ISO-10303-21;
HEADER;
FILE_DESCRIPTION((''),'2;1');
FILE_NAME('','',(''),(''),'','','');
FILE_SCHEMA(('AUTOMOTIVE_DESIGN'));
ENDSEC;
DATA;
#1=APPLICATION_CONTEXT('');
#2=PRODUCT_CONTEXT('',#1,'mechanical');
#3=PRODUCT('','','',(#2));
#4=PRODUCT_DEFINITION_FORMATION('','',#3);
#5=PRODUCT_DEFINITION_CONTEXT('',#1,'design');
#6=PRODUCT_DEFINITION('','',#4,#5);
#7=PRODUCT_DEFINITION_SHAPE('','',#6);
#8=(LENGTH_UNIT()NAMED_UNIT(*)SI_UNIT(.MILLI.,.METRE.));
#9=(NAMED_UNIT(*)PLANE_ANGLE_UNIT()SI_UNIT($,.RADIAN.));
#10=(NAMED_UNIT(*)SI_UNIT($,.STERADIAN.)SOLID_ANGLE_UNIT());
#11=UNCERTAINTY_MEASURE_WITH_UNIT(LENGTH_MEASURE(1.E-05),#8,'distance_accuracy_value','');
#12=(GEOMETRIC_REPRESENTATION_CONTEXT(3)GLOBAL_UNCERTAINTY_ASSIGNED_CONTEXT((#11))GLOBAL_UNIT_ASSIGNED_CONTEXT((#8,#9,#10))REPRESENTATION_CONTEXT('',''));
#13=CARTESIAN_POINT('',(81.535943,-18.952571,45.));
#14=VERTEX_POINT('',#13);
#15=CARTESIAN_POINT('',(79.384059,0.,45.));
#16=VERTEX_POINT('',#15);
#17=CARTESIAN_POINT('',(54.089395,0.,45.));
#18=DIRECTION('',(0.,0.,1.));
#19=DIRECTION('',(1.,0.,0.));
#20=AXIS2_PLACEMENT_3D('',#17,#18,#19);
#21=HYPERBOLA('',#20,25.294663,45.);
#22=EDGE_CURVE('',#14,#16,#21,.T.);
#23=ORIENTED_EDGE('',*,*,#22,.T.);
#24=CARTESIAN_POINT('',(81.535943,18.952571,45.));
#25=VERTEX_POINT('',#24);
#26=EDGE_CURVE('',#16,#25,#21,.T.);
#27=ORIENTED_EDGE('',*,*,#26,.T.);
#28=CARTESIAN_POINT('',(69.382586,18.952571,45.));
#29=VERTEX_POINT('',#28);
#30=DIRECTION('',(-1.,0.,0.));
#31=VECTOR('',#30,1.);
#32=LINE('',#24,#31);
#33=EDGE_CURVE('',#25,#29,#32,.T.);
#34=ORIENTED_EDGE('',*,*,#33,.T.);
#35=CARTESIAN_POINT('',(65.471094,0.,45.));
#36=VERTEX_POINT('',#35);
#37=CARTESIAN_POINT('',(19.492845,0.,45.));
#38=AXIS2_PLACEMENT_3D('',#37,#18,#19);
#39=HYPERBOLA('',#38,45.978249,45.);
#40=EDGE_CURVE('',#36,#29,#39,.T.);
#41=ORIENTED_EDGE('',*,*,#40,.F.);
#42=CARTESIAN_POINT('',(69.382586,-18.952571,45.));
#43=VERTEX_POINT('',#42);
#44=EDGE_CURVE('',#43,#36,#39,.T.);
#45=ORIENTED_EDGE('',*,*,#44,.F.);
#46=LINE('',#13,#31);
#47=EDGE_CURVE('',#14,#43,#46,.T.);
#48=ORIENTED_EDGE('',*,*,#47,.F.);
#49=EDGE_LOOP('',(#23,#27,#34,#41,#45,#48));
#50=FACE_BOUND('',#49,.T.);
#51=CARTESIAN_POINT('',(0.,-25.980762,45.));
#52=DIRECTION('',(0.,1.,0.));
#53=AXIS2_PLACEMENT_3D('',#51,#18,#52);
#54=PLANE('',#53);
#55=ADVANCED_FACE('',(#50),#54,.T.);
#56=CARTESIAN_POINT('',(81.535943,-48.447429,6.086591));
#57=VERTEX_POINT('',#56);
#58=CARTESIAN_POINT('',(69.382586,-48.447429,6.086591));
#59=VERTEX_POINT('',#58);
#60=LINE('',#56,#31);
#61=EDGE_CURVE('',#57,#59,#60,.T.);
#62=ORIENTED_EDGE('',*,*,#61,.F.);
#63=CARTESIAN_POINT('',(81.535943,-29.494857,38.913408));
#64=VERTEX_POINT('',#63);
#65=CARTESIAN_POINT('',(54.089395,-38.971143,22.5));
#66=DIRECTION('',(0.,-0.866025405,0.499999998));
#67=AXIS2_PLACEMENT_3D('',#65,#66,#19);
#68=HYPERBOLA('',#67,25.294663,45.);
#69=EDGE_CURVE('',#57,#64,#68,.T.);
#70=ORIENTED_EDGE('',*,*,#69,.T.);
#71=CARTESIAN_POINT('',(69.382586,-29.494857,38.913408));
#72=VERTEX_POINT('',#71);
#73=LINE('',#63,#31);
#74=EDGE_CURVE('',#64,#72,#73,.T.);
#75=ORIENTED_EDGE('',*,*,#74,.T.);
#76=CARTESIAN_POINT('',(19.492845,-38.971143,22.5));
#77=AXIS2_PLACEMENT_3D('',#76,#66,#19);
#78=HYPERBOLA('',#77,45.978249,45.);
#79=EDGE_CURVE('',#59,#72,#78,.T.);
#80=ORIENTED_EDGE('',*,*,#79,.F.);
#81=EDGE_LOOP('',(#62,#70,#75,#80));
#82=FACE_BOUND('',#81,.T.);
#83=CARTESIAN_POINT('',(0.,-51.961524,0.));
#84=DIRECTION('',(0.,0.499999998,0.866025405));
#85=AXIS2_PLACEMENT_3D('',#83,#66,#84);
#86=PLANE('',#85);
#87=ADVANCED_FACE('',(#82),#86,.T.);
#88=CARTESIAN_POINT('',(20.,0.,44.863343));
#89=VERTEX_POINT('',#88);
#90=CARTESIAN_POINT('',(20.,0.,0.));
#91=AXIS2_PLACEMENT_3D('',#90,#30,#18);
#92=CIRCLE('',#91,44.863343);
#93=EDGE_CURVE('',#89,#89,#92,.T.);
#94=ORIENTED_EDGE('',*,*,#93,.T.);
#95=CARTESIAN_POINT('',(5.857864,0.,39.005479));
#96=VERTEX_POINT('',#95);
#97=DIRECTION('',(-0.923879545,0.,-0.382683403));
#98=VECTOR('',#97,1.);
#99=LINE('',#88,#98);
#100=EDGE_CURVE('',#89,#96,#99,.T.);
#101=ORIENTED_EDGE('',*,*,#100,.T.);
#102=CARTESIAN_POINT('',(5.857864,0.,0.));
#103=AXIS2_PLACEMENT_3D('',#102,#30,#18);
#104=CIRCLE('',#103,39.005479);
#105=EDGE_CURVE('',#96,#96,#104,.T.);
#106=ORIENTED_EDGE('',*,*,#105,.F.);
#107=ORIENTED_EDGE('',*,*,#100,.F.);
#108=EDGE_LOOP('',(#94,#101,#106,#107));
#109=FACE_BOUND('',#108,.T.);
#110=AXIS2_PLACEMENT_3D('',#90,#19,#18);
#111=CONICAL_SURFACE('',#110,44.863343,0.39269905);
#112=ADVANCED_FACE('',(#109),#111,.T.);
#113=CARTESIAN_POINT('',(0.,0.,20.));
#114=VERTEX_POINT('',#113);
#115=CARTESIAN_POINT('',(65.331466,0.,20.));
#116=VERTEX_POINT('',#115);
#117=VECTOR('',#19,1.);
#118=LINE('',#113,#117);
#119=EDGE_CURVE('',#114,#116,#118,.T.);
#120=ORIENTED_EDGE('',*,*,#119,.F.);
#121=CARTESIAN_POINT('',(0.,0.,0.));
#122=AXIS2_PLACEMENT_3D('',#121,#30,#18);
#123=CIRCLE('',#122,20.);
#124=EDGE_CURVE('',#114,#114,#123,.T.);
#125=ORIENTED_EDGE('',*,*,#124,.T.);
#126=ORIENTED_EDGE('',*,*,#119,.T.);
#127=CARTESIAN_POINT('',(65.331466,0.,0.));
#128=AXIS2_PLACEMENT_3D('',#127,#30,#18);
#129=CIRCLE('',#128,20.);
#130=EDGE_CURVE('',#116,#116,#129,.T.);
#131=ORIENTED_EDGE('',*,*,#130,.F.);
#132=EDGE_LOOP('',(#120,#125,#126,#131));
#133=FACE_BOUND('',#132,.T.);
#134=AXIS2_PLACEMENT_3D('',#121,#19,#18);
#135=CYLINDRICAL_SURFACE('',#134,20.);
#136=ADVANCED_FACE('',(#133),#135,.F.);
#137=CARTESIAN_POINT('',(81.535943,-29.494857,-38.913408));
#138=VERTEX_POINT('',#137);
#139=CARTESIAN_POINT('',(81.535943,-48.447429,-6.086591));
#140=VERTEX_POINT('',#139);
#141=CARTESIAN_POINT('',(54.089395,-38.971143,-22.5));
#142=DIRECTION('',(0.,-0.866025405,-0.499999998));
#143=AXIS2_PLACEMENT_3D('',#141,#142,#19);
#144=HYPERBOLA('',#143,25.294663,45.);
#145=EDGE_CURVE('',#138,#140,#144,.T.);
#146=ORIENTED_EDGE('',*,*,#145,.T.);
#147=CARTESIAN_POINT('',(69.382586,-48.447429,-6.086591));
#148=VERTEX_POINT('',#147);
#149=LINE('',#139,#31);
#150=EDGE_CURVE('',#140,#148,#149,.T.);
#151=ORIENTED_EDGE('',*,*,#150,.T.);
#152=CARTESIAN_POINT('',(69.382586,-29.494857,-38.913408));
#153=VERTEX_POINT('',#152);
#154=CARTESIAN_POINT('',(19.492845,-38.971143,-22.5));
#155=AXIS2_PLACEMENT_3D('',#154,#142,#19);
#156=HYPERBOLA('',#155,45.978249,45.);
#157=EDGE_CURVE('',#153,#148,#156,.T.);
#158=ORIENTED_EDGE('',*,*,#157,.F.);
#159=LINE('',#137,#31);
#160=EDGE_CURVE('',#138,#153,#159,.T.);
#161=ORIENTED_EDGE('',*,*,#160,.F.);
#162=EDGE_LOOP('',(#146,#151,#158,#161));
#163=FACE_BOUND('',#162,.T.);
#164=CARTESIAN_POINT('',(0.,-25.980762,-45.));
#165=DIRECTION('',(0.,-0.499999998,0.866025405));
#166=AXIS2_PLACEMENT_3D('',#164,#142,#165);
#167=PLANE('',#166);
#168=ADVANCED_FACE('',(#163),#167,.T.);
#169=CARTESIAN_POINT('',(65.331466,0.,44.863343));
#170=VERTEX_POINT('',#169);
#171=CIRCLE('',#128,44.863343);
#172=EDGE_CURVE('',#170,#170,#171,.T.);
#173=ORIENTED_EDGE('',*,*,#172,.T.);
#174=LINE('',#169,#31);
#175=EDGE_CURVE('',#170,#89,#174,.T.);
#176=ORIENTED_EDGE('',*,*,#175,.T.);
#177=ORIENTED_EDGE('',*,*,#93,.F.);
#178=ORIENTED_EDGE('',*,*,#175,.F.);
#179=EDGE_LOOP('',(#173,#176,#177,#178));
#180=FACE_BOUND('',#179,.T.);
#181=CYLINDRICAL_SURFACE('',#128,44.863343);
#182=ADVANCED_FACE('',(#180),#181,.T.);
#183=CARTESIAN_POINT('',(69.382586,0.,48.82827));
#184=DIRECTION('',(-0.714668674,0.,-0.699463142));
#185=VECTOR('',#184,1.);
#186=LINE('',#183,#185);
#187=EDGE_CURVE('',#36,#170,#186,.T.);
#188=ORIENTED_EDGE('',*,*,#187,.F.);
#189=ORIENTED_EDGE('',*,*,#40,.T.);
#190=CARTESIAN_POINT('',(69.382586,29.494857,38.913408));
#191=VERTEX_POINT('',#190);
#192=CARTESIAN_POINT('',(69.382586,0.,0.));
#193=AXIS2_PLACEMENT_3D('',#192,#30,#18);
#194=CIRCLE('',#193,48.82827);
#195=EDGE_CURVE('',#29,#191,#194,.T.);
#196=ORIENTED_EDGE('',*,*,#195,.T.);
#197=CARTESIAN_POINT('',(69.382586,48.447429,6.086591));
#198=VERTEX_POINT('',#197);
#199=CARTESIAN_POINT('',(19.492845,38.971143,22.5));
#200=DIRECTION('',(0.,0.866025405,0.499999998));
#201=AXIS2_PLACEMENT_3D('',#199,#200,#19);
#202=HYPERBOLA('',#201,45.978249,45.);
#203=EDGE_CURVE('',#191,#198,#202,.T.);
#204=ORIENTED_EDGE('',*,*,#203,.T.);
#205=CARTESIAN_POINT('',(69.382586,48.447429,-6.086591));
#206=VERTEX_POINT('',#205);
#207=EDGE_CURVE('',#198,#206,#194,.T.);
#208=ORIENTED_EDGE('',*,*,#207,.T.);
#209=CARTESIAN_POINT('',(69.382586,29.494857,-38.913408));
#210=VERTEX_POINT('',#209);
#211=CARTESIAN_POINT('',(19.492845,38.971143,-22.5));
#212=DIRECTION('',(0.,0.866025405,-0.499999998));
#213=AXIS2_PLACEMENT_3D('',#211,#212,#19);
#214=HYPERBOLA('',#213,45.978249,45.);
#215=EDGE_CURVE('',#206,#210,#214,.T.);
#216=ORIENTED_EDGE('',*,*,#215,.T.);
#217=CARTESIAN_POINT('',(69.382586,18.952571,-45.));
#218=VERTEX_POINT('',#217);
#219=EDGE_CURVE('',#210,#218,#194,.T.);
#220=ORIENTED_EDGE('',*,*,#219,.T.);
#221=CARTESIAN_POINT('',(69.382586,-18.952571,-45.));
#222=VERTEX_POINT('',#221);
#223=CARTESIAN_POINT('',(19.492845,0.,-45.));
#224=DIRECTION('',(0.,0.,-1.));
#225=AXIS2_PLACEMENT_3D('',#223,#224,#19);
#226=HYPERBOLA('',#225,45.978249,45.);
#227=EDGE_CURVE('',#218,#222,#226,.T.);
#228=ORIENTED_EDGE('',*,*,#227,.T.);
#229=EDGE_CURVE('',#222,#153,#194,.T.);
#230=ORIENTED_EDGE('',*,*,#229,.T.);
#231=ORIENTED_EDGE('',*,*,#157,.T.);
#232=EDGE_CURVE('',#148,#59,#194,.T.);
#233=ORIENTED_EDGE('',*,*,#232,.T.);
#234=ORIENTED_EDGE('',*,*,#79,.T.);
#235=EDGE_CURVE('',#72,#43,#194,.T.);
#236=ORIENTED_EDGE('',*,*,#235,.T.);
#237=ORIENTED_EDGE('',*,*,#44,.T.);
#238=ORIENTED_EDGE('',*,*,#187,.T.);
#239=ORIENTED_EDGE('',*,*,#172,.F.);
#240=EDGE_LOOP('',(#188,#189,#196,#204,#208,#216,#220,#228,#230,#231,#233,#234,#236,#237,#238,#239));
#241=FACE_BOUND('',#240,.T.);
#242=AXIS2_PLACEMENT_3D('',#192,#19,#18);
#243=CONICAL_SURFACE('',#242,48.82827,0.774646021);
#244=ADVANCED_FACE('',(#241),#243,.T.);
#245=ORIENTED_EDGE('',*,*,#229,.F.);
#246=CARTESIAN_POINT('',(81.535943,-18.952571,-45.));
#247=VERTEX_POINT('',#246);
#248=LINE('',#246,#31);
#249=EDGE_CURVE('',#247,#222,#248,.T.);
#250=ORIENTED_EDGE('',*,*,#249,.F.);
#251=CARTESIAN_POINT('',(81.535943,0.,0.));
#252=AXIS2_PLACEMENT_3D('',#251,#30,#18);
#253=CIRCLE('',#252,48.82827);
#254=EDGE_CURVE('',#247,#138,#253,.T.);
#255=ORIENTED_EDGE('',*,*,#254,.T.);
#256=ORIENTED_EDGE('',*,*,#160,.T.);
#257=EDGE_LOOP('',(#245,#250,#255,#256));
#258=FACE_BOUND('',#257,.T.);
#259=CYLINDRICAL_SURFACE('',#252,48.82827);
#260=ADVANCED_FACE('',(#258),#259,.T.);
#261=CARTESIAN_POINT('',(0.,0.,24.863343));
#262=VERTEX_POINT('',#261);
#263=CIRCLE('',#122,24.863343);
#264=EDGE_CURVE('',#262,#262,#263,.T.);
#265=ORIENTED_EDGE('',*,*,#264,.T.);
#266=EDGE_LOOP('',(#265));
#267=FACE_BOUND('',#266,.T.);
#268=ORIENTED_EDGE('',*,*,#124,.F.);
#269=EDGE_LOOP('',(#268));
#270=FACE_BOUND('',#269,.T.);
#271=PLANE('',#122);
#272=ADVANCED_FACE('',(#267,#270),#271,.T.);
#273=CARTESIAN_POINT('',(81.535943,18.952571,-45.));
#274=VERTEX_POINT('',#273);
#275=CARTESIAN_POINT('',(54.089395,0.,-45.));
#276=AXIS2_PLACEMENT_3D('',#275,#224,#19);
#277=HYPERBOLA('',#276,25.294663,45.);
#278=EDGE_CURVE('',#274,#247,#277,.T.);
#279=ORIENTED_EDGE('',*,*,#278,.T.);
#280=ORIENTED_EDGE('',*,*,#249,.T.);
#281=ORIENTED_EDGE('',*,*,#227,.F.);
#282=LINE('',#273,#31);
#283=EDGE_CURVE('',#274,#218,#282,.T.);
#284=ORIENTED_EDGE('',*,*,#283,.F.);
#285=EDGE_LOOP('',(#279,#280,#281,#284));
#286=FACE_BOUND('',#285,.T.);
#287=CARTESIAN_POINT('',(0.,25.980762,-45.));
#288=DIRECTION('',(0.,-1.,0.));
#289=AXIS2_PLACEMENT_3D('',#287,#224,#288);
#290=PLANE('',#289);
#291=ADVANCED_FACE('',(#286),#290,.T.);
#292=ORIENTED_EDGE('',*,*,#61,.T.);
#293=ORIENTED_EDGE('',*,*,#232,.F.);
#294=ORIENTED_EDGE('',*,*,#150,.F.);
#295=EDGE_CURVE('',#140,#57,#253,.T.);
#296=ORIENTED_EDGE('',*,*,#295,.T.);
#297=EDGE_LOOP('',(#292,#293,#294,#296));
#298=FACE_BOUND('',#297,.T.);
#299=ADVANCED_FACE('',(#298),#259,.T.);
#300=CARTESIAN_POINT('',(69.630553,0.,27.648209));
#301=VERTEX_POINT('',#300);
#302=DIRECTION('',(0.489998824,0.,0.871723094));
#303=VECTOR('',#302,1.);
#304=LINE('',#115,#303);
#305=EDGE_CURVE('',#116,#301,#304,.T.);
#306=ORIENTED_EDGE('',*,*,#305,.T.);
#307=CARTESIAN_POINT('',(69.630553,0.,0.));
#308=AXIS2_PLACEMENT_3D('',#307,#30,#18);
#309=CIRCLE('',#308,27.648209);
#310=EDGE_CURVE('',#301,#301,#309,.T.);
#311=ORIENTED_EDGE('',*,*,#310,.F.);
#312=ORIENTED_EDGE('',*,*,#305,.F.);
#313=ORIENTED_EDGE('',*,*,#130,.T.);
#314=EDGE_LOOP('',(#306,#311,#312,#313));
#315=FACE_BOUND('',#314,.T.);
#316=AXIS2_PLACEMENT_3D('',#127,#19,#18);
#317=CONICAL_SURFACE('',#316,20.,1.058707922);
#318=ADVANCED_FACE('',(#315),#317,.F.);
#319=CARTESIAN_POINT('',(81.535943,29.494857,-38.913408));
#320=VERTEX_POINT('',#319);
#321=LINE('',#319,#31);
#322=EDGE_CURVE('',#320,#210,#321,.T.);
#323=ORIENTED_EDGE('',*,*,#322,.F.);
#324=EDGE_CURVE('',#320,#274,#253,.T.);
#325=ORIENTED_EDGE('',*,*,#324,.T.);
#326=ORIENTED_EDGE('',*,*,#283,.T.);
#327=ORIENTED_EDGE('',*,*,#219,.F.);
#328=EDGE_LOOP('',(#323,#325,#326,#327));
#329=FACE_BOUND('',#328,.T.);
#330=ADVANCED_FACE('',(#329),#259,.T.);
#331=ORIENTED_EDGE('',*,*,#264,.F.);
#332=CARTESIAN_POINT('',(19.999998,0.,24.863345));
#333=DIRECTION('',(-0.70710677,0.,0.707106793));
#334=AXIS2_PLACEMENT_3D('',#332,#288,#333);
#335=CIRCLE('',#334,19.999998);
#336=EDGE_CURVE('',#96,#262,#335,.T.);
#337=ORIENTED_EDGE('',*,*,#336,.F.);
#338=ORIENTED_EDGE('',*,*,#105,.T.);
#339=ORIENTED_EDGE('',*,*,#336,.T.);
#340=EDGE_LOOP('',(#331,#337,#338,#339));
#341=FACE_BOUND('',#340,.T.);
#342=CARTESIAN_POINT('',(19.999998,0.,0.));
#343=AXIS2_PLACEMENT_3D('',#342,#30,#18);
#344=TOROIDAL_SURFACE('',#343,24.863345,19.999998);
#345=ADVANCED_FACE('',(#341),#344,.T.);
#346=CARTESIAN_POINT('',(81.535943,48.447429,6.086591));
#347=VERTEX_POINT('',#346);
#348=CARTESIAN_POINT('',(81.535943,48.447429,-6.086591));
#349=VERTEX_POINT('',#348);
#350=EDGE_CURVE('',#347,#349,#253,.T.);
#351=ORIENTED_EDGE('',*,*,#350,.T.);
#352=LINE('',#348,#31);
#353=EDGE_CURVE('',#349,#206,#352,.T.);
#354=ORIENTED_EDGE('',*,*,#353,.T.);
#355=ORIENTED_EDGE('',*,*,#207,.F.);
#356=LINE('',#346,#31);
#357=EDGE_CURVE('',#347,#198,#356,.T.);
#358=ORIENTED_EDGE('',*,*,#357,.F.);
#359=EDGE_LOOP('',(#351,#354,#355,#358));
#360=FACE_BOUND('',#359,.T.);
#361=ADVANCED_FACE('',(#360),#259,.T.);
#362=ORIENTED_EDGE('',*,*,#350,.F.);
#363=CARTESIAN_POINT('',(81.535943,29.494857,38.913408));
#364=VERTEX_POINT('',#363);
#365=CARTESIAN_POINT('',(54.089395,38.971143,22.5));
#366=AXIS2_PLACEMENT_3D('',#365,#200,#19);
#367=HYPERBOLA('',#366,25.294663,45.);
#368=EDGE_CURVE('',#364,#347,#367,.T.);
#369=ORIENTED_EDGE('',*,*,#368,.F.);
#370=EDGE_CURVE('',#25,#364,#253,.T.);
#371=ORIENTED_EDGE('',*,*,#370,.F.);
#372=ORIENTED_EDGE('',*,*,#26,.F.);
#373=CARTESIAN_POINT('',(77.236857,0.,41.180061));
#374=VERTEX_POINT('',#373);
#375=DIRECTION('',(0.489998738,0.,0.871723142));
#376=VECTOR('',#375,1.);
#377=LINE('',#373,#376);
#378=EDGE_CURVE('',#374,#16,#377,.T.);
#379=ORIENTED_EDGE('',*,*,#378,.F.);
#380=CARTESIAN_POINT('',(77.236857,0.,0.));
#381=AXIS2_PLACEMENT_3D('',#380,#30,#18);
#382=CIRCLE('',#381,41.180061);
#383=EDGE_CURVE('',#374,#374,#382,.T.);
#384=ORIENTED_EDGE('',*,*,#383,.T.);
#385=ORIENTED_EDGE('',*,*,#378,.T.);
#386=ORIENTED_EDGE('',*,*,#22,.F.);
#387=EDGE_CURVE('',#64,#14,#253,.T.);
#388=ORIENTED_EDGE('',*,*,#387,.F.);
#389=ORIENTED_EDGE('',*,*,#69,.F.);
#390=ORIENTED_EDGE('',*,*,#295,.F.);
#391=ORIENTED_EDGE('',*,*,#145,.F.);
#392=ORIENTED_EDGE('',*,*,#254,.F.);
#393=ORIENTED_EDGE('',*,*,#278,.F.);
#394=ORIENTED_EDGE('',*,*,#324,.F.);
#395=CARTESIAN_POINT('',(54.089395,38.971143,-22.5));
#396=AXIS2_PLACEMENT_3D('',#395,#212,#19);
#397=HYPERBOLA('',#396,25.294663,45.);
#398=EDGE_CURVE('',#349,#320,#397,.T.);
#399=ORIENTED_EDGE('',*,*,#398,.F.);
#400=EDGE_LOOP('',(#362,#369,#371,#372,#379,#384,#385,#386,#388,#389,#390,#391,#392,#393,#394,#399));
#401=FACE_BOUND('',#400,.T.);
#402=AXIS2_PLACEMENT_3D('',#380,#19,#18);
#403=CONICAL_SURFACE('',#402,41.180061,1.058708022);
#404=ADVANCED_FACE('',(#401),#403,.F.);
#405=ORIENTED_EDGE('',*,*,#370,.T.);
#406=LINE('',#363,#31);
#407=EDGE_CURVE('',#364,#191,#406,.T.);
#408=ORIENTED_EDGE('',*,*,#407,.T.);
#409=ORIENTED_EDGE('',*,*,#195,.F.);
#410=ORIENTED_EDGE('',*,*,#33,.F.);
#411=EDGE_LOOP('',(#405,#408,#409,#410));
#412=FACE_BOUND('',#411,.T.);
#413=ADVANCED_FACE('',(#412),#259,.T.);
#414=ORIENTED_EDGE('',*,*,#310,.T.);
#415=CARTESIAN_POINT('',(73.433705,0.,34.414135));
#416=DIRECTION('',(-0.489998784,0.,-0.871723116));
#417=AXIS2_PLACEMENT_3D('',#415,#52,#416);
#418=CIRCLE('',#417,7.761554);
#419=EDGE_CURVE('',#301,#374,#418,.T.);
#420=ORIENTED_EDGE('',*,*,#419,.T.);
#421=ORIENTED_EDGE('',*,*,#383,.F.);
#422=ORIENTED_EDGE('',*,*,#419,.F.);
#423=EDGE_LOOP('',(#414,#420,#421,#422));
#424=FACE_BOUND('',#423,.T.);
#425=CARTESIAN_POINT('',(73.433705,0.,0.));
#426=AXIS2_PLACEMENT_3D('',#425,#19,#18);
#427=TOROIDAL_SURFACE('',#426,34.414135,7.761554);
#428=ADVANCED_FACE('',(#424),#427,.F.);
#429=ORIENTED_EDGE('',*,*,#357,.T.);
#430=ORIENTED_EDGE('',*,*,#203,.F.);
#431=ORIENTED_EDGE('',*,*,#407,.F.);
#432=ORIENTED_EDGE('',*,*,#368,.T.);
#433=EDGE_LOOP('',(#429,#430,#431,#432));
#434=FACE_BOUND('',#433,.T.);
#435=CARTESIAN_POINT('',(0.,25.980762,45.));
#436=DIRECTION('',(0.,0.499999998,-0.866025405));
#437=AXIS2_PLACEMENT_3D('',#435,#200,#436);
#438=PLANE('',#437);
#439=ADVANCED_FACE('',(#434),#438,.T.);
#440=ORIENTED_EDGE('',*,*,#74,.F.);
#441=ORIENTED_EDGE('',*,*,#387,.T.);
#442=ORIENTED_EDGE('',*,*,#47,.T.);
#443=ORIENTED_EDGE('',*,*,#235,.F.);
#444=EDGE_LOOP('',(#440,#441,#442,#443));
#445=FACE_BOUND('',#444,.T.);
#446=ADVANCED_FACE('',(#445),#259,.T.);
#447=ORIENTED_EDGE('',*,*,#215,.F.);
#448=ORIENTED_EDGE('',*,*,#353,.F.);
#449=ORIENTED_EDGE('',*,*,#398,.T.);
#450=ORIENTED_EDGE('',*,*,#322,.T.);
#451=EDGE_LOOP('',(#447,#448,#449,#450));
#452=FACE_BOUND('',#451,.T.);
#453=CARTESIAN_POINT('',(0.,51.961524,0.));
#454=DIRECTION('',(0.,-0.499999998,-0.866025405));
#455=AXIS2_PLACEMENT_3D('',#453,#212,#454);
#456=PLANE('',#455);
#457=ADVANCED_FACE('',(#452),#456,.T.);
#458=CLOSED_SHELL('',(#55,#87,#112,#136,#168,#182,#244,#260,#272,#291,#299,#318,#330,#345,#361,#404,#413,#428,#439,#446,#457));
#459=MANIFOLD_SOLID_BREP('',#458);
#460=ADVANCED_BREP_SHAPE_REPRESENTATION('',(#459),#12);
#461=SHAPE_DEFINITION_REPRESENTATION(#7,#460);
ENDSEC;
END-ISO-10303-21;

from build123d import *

# Parameters (mm, degrees)
F2_R     = 117.132318
F3_DEPTH = 157.902554


with BuildPart() as f1:
    # F0 (on Front) → F1 (revolve)
    with BuildSketch(Plane.XZ):
        with BuildLine():
            Line((0, 20), (20, 20))
            Line((20, 20), (65.331466, 20))
            Line((65.331466, 20), (65.331466, 44.863343))
            Line((65.331466, 44.863343), (20, 44.863343))
            Line((20, 44.863343), (5.857864, 39.005479))
            ThreePointArc((5.857864, 39.005479), (1.522409, 32.517012), (0, 24.863343))
            Line((0, 24.863343), (0, 20))
        make_face()
        with BuildLine():
            Line((65.331466, 44.863343), (65.331466, 20))
            Line((65.331466, 20), (69.630553, 27.648209))
            ThreePointArc((69.630553, 27.648209), (66.667779, 38.217287), (77.236857, 41.180061))
            Line((77.236857, 41.180061), (81.535943, 48.82827))
            Line((81.535943, 48.82827), (69.382586, 48.82827))
            Line((69.382586, 48.82827), (65.331466, 44.863343))
        make_face()
    revolve(axis=Axis((10, 0, 0), (-1, 0, 0)))

    # F2 (on Right) → F3 (cut)
    with BuildSketch(Plane.YZ):
        Circle(F2_R)
        Polygon((-51.961524, 0), (-25.980762, 45), (25.980762, 45), (51.961524, 0), (25.980762, -45), (-25.980762, -45), align=None, mode=Mode.SUBTRACT)
    extrude(amount=F3_DEPTH, mode=Mode.SUBTRACT)


solid = f1.part
